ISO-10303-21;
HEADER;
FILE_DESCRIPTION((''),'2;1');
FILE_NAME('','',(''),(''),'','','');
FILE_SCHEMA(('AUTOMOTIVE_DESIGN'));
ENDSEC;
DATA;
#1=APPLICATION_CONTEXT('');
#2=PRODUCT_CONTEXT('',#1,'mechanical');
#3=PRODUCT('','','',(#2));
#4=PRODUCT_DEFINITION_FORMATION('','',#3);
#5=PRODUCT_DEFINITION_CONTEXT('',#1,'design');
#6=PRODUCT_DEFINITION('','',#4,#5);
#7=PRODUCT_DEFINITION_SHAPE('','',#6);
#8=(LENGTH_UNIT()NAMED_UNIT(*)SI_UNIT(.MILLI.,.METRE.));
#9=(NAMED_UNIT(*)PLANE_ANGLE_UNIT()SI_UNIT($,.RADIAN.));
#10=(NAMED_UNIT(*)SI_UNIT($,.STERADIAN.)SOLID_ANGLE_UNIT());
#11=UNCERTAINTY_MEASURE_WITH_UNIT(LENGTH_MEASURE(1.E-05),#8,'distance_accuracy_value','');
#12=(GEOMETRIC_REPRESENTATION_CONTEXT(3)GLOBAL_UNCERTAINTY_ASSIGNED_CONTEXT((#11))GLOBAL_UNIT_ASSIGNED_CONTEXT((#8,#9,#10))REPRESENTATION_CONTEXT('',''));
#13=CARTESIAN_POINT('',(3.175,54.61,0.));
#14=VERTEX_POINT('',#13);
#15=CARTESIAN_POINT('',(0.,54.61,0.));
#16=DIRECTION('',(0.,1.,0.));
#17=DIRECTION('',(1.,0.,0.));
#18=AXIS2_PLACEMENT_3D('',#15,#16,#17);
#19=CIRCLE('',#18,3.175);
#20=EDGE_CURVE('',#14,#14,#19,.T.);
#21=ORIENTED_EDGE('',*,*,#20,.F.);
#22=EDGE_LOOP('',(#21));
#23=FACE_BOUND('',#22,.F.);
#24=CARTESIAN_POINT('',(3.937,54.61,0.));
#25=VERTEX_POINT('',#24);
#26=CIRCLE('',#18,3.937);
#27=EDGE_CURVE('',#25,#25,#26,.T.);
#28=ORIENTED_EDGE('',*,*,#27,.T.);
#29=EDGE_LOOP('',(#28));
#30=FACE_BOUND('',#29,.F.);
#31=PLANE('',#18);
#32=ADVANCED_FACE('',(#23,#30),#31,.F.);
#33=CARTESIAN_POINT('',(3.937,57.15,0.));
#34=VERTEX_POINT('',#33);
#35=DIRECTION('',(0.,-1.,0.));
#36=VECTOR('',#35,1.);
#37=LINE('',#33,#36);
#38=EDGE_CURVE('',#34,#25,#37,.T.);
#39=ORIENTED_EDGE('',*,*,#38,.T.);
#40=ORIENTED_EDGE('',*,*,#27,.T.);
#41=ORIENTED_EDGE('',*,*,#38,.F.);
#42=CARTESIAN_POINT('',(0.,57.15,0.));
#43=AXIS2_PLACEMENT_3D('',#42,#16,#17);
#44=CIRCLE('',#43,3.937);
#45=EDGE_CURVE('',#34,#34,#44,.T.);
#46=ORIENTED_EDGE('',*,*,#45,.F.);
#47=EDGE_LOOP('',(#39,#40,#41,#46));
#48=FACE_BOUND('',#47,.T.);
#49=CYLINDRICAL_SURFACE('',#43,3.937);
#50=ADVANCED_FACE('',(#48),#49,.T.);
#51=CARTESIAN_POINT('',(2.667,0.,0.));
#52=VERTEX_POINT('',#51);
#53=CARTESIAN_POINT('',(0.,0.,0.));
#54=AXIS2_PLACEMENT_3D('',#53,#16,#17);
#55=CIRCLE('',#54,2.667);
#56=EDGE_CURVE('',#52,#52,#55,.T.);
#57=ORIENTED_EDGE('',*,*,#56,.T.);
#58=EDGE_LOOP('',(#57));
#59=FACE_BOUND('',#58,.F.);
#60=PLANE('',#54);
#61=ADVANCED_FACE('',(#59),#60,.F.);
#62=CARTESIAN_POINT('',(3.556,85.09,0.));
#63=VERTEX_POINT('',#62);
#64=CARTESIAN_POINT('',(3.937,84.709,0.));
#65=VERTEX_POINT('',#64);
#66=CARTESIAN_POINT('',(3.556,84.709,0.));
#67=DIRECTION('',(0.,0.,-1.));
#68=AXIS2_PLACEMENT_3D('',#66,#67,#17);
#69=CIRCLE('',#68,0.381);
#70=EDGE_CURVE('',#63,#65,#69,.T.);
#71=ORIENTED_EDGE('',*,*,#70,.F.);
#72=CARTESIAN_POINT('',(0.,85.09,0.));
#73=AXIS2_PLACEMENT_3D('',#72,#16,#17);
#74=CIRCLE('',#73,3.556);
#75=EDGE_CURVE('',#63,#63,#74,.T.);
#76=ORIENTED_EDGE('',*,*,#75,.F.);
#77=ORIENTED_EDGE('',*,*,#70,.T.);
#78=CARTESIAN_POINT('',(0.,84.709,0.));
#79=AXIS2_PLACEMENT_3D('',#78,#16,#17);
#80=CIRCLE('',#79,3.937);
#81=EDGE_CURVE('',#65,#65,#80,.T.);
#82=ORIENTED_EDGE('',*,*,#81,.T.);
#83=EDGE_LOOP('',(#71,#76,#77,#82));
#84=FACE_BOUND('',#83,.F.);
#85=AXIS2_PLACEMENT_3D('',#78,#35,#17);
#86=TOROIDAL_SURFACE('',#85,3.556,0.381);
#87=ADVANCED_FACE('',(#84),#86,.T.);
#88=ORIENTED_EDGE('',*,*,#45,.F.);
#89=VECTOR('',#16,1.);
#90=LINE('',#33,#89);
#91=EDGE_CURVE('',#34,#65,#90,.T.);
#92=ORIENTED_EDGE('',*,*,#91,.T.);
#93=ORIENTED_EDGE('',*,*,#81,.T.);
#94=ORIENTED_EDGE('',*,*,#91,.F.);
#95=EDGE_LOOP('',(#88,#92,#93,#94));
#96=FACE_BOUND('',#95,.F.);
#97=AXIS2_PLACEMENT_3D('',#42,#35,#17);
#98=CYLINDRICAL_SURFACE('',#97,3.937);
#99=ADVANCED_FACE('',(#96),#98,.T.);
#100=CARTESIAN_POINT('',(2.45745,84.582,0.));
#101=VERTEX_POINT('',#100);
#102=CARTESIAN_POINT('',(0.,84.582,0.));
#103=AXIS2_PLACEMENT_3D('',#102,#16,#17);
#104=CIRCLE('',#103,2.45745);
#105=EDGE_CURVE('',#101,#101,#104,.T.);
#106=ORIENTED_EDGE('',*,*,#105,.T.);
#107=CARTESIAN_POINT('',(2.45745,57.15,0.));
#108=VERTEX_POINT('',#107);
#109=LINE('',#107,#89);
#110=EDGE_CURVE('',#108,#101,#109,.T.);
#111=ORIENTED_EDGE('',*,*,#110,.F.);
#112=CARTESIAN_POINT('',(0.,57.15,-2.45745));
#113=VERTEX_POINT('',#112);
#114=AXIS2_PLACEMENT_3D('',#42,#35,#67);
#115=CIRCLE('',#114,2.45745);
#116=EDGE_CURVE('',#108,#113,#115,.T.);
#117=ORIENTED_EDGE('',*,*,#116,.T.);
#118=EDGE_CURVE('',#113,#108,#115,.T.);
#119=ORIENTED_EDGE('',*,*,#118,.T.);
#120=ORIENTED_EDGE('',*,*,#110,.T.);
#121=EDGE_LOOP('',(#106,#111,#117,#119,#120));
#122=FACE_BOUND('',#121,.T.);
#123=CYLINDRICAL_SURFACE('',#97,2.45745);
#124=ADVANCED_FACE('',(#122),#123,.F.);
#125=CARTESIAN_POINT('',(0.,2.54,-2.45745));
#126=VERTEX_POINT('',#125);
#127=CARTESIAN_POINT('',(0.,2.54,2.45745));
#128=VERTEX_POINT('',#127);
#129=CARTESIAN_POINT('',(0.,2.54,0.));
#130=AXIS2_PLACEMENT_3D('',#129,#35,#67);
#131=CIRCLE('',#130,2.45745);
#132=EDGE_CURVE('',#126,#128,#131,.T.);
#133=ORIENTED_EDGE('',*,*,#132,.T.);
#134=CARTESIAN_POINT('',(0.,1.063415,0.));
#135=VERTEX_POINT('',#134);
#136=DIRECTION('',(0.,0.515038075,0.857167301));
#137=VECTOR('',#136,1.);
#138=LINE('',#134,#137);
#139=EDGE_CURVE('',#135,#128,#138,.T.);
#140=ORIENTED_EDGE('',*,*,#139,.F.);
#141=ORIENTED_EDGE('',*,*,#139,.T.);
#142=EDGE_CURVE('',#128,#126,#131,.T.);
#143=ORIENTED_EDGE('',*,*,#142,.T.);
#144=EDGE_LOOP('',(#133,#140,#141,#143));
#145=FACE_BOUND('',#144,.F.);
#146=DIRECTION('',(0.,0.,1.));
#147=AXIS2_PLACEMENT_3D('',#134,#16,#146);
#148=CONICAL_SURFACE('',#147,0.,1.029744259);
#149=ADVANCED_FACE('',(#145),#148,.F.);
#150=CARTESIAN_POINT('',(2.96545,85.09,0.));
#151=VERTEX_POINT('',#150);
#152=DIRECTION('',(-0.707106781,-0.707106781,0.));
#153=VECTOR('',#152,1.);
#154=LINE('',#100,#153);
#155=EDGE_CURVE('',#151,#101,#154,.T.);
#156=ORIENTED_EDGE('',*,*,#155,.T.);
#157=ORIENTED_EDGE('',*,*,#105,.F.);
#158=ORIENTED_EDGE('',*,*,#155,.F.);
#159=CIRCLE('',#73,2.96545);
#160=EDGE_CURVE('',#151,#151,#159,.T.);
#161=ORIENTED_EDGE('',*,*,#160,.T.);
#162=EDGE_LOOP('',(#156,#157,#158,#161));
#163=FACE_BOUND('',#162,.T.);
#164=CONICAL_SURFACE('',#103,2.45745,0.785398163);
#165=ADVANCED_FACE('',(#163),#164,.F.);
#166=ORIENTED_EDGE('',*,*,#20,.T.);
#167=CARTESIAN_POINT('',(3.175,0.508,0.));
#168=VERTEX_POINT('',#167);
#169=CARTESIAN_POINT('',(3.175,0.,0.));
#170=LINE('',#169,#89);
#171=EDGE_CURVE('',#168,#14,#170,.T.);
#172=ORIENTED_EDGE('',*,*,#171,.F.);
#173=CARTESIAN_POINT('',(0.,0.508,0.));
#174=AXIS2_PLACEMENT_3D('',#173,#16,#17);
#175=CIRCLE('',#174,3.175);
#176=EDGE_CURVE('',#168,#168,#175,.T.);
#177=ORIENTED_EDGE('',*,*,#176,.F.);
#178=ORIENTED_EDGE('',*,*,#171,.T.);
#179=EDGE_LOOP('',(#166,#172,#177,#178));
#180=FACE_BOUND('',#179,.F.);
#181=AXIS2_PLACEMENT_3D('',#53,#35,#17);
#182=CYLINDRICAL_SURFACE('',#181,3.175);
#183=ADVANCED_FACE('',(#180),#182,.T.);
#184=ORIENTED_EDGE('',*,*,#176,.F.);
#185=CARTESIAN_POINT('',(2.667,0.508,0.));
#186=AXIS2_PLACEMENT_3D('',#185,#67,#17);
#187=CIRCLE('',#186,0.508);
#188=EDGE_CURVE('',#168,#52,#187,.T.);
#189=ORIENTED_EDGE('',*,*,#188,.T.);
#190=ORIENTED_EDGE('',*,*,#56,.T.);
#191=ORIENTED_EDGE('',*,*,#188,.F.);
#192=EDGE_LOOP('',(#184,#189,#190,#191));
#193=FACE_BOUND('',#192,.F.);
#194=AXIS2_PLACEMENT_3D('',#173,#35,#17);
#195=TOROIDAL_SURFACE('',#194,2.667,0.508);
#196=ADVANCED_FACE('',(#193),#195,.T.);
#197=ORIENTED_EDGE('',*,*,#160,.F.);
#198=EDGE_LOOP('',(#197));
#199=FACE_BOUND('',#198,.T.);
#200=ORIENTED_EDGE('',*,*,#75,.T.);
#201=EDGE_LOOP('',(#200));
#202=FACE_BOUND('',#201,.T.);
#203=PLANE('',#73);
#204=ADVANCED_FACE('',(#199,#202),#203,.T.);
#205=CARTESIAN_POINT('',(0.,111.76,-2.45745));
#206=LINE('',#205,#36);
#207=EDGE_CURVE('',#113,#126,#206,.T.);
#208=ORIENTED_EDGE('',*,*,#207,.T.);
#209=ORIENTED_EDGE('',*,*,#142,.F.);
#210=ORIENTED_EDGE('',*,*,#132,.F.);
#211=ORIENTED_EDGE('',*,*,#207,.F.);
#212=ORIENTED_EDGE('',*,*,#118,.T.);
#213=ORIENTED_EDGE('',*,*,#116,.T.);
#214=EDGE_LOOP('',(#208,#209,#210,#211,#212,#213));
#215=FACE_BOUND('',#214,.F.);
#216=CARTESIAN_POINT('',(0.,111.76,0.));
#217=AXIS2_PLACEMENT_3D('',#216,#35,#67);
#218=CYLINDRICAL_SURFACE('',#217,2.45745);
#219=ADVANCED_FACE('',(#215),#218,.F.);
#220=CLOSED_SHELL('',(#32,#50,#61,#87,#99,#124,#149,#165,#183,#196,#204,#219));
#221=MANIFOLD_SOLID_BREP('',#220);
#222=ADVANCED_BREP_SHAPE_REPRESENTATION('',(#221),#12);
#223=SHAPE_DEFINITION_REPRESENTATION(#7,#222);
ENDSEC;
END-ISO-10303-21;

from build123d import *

# Parameters (mm, degrees)
SKETCH1_R                        = 3.175
BOSS_EXTRUDE1_DEPTH              = 57.15
F_10_0_1935_DIAMETER_HOLE1_D     = 4.9149
F_10_0_1935_DIAMETER_HOLE1_DEPTH = 54.61
F_10_0_1935_DIAMETER_HOLE1_TIP   = 1.476584928
SKETCH5_R                        = 3.937
SKETCH5_R_2                      = 3.175
BOSS_EXTRUDE2_DEPTH              = 2.54
FILLET1_R                        = 0.508
SKETCH6_R                        = 3.937
SKETCH6_R_2                      = 2.45745
BOSS_EXTRUDE3_DEPTH              = 27.94
CHAMFER1_SIZE                    = 0.508
FILLET2_R                        = 0.381


with BuildPart() as part:
    # Sketch1 → Boss-Extrude1 (new body)
    with BuildSketch(Plane(origin=(0, 0, 0), x_dir=(1, 0, 0), z_dir=(0, 1, 0))):
        Circle(SKETCH1_R)
    extrude(amount=BOSS_EXTRUDE1_DEPTH)

    # #10 (0.1935) Diameter Hole1
    with Locations(Plane.ZX.offset(57.15)):
        with Locations((0, 0)):
            Hole(F_10_0_1935_DIAMETER_HOLE1_D / 2, depth=F_10_0_1935_DIAMETER_HOLE1_DEPTH)
            with Locations((0, 0, -(F_10_0_1935_DIAMETER_HOLE1_DEPTH + F_10_0_1935_DIAMETER_HOLE1_TIP / 2))):  # 118° drill point
                Cone(0, F_10_0_1935_DIAMETER_HOLE1_D / 2, F_10_0_1935_DIAMETER_HOLE1_TIP, mode=Mode.SUBTRACT)

    # Sketch5 → Boss-Extrude2 (add)
    with BuildSketch(Plane(origin=(0, 57.15, 0), x_dir=(1, 0, 0), z_dir=(0, 1, 0))):
        Circle(SKETCH5_R)
        Circle(SKETCH5_R_2, mode=Mode.SUBTRACT)
    extrude(amount=-BOSS_EXTRUDE2_DEPTH)

    # Fillet1
    fillet1_edges = [part.edges().sort_by_distance(p)[0] for p in [
        (-3.175, 0, 0),
    ]]
    fillet(fillet1_edges, radius=FILLET1_R)

    # Sketch6 → Boss-Extrude3 (add)
    with BuildSketch(Plane(origin=(0, 57.15, 0), x_dir=(1, 0, 0), z_dir=(0, 1, 0))):
        Circle(SKETCH6_R)
        Circle(SKETCH6_R_2, mode=Mode.SUBTRACT)
    extrude(amount=BOSS_EXTRUDE3_DEPTH)

    # Chamfer1
    chamfer1_edges = [part.edges().sort_by_distance(p)[0] for p in [
        (-2.45745, 85.09, 0),
    ]]
    chamfer(chamfer1_edges, length=CHAMFER1_SIZE)

    # Fillet2
    fillet2_edges = [part.edges().sort_by_distance(p)[0] for p in [
        (-3.937, 85.09, 0),
    ]]
    fillet(fillet2_edges, radius=FILLET2_R)


solid = part.part
